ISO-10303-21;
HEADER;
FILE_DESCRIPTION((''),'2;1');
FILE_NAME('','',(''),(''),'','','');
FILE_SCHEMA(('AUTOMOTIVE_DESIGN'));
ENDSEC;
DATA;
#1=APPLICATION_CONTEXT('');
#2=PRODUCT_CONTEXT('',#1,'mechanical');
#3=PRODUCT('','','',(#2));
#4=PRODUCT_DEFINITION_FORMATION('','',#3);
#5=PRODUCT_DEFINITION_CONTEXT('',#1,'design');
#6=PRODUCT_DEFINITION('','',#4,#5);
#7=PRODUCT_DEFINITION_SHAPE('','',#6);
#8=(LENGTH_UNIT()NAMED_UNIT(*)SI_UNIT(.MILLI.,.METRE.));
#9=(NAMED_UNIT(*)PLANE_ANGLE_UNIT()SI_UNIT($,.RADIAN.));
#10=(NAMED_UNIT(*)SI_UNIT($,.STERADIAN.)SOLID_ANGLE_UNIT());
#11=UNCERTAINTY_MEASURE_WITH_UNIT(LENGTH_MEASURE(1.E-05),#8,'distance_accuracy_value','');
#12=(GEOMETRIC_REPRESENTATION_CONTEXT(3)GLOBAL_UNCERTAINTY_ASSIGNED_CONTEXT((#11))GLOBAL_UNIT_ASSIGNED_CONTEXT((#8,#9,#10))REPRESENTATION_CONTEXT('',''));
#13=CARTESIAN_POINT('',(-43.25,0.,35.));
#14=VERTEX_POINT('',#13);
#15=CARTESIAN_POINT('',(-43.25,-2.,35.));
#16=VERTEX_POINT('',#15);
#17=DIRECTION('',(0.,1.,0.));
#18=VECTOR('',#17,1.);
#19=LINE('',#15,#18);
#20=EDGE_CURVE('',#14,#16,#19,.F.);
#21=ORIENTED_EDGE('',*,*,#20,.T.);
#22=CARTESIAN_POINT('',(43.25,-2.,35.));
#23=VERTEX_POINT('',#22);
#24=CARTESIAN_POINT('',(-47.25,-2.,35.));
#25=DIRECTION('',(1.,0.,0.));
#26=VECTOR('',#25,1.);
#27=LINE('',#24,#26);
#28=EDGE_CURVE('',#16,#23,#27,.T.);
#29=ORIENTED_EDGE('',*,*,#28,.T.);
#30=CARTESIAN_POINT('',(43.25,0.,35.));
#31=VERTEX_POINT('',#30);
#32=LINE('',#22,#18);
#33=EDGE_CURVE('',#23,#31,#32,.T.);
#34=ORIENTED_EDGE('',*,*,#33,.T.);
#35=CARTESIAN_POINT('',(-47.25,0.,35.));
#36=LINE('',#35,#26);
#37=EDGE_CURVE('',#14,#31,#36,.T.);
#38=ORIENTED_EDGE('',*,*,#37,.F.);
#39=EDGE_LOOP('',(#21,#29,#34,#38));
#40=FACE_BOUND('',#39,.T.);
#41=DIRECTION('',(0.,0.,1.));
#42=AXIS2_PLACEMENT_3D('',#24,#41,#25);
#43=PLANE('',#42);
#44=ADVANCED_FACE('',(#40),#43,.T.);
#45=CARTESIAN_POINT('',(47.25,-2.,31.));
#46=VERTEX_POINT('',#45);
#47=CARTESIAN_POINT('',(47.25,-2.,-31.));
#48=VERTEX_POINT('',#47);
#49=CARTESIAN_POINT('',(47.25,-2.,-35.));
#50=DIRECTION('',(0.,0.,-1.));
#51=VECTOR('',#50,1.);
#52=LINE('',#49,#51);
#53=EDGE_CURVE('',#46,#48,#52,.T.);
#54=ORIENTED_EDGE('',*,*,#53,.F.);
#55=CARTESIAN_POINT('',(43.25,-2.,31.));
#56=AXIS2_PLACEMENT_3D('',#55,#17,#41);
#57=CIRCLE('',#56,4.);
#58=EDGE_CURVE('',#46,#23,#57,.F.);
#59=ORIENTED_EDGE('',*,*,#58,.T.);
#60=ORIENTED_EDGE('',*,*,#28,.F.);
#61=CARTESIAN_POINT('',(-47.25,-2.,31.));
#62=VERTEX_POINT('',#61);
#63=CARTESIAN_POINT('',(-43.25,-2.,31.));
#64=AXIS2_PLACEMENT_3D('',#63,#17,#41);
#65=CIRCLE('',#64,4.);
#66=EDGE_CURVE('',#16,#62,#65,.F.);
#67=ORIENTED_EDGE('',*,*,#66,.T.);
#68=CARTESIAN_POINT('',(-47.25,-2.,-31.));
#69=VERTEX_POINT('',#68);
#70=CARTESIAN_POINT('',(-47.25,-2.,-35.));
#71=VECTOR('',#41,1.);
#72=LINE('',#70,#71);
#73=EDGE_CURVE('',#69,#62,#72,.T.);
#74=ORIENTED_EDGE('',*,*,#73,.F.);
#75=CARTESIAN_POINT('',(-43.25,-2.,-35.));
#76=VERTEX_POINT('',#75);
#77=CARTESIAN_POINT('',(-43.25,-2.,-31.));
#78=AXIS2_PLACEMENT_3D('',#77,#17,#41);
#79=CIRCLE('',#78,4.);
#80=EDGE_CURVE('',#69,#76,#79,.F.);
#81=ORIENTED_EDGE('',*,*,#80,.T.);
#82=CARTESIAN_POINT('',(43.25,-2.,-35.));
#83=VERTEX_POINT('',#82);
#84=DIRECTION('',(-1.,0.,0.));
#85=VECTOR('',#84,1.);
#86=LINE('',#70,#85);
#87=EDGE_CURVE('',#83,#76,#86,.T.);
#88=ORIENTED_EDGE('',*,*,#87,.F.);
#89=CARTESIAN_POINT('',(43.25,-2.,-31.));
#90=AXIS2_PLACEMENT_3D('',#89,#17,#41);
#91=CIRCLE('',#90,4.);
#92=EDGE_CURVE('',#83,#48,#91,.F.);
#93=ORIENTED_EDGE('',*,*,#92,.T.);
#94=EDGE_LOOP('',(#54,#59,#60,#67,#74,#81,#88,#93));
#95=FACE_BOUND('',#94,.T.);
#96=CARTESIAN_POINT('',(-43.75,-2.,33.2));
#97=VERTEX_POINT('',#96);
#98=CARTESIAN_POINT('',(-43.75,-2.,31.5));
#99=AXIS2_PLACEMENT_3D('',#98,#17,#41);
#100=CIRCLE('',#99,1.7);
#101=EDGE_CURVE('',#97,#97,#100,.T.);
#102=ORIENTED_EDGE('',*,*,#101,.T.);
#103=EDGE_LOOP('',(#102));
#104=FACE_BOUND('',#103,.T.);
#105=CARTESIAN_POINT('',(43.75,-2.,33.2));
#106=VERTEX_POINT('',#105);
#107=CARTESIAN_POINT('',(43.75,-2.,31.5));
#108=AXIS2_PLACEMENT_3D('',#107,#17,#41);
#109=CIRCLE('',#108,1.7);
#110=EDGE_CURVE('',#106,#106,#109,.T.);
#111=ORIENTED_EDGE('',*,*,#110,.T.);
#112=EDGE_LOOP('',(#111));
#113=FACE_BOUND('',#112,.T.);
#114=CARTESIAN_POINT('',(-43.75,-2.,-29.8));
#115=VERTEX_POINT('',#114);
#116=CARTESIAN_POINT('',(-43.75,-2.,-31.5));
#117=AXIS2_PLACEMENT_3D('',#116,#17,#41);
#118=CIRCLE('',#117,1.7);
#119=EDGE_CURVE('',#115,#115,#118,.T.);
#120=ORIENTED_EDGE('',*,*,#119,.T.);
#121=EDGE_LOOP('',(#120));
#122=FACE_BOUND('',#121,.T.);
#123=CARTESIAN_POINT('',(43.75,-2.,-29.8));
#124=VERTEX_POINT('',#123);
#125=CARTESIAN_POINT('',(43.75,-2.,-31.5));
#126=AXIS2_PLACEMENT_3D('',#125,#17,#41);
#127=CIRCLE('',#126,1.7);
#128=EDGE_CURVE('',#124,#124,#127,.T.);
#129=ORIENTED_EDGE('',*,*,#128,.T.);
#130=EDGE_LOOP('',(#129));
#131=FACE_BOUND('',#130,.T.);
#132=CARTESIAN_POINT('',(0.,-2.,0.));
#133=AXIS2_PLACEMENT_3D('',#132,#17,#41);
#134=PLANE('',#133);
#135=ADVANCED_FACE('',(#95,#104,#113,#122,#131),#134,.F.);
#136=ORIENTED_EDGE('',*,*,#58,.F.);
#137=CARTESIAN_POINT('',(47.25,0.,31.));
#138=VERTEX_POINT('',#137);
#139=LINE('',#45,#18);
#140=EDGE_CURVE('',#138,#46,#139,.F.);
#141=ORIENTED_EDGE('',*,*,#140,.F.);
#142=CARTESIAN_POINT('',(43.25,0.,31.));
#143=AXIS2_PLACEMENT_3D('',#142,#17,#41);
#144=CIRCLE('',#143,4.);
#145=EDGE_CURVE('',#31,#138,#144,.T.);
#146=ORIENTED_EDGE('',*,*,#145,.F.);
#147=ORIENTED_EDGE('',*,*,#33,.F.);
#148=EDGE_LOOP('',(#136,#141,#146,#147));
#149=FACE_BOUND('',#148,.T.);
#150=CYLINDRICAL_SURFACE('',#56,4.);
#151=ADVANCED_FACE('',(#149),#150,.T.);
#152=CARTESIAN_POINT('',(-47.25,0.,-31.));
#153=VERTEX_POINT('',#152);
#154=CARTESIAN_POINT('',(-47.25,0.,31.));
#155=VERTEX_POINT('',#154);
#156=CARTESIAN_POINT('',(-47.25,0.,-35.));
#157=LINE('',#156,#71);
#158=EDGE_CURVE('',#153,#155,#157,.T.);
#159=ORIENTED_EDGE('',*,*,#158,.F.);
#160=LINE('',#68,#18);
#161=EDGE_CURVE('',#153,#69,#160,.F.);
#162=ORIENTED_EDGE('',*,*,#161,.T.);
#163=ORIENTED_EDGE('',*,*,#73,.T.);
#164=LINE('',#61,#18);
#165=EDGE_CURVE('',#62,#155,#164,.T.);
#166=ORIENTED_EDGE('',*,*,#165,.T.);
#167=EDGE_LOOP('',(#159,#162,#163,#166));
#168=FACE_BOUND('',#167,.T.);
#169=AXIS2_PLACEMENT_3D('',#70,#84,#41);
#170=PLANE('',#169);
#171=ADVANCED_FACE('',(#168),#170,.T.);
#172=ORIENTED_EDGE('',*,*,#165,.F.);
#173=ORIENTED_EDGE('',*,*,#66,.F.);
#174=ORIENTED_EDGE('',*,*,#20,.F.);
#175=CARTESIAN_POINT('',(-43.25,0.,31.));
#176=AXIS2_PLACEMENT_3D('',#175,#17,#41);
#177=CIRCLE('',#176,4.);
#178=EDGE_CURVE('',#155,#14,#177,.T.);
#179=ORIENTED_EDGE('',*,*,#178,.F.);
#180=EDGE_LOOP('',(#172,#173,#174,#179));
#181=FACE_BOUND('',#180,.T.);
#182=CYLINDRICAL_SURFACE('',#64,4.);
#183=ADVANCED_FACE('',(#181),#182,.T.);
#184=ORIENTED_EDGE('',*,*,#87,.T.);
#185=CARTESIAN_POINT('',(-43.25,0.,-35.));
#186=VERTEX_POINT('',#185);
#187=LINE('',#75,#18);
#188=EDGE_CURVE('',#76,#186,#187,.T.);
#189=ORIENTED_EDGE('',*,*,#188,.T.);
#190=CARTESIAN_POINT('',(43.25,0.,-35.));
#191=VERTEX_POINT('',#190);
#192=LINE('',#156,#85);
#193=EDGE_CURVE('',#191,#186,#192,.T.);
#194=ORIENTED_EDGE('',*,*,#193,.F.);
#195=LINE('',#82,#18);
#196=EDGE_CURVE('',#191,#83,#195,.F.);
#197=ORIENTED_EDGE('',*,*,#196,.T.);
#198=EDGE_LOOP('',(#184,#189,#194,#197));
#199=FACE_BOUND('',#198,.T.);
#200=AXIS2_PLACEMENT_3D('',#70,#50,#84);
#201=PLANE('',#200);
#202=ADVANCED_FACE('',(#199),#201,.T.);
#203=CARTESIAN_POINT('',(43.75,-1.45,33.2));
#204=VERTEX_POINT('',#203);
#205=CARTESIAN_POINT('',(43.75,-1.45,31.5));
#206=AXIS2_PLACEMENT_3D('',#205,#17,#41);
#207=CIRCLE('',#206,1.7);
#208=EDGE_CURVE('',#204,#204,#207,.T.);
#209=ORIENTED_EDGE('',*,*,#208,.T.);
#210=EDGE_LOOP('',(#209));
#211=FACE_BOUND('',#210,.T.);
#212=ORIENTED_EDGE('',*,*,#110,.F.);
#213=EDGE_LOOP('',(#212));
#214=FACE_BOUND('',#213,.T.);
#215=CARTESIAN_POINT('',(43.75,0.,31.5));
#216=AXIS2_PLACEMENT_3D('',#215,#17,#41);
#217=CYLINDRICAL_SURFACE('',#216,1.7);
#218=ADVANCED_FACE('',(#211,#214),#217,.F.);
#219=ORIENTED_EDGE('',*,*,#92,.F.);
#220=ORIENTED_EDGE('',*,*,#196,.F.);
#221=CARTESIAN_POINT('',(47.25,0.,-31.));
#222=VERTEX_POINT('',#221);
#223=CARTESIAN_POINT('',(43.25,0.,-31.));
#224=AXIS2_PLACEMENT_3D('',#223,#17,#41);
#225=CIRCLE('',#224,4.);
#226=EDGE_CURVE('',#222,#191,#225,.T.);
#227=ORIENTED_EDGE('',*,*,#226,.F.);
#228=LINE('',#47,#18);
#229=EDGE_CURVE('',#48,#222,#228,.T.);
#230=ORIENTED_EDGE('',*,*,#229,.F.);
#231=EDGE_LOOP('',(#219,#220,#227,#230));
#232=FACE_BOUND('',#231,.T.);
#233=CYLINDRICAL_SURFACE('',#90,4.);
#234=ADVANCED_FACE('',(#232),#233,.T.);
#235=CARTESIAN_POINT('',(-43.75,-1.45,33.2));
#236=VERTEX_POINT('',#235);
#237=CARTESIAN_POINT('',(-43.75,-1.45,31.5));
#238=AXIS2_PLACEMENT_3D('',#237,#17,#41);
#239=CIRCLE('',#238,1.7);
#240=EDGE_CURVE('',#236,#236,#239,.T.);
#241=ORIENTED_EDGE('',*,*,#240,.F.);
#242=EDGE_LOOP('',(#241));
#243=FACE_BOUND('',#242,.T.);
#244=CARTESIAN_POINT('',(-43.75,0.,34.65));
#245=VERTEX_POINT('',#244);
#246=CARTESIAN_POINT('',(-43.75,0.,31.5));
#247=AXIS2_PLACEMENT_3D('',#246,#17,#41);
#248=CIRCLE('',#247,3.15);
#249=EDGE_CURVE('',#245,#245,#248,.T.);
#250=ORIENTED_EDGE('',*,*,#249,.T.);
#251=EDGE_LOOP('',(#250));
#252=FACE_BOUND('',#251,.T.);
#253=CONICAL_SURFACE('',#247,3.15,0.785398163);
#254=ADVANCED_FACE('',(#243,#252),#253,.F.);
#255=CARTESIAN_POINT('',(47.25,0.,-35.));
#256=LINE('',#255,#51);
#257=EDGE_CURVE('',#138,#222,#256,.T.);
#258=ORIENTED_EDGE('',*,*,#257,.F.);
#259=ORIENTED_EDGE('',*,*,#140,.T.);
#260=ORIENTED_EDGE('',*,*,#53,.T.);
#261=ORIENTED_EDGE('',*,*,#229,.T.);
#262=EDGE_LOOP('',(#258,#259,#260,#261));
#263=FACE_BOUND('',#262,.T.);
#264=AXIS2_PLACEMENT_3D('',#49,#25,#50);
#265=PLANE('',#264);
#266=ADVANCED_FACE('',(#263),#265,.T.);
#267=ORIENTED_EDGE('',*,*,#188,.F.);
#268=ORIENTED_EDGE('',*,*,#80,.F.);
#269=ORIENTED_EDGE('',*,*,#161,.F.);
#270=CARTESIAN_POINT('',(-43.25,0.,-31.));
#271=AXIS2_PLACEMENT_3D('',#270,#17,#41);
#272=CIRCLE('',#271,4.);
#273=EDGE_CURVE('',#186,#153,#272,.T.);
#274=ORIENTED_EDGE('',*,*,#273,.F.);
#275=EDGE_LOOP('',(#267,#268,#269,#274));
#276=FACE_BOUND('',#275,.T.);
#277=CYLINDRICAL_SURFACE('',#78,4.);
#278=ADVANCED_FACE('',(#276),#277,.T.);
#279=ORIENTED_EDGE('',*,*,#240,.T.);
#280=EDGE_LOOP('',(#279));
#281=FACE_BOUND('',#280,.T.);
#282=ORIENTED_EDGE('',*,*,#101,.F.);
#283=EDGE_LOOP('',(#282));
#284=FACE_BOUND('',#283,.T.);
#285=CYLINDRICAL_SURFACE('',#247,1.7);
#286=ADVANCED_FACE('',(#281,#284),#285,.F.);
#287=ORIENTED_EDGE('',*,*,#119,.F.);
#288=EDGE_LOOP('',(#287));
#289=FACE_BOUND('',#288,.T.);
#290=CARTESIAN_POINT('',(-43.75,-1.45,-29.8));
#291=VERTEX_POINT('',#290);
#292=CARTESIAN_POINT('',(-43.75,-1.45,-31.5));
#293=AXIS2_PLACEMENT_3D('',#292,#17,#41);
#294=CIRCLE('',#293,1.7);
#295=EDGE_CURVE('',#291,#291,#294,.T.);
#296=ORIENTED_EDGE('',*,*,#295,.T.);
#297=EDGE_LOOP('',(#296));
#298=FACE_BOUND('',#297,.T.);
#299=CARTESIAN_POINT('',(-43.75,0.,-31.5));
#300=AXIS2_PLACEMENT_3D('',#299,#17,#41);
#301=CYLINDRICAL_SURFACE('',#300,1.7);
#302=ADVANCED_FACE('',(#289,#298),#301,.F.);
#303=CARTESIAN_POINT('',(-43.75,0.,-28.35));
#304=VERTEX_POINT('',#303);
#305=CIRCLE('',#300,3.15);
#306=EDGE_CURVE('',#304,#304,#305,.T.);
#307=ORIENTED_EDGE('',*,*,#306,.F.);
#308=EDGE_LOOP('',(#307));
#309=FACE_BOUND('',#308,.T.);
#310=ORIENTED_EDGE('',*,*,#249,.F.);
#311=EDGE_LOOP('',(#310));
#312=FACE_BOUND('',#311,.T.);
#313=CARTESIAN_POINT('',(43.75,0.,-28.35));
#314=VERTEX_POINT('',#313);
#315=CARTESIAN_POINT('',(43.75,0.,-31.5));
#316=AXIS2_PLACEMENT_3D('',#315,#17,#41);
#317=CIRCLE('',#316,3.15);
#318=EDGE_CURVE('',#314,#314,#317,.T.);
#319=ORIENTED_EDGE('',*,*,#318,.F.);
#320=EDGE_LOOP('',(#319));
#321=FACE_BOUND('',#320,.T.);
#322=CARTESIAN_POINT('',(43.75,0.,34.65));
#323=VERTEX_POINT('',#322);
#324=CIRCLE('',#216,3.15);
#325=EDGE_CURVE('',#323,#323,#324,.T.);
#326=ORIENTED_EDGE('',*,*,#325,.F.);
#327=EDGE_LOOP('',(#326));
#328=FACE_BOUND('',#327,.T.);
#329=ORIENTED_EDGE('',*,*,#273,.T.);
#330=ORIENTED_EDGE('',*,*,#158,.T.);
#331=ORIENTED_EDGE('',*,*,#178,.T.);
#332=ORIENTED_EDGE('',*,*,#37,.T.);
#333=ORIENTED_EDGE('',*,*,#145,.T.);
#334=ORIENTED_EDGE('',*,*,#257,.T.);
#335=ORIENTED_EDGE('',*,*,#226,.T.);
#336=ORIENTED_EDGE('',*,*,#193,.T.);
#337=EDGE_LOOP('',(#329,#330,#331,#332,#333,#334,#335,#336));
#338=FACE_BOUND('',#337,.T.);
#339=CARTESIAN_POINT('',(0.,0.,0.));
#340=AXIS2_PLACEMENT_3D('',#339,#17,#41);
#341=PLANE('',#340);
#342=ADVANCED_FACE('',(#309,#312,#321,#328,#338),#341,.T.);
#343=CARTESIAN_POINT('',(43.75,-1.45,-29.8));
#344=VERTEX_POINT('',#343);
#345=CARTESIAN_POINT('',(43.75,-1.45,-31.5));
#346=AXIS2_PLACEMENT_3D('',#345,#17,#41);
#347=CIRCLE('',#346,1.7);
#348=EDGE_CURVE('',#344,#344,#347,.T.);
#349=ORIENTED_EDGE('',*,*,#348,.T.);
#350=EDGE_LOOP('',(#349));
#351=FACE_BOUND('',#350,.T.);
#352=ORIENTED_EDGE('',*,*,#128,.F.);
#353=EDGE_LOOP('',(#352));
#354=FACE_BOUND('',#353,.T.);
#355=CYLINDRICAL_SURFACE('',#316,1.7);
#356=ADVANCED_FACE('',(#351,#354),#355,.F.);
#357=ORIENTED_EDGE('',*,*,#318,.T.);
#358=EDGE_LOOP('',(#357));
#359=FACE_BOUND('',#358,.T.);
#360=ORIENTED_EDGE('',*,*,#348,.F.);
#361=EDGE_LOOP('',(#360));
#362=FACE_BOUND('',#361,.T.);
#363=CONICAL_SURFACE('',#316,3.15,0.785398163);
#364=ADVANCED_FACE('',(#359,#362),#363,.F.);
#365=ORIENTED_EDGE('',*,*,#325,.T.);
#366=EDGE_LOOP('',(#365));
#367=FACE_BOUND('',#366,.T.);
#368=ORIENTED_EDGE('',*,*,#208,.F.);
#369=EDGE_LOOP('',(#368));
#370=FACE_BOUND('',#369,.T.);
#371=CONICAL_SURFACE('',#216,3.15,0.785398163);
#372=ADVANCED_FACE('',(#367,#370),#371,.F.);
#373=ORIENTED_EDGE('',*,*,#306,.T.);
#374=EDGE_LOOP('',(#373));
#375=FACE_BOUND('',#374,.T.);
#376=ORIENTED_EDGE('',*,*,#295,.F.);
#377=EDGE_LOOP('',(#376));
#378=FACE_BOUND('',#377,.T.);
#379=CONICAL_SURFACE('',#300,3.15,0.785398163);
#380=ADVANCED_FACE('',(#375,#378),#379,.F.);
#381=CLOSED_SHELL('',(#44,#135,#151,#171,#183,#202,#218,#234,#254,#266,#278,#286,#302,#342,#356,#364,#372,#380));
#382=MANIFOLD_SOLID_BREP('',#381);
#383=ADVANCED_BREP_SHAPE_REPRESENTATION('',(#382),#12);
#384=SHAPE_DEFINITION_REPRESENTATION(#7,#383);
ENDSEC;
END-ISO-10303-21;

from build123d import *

# Parameters (mm, degrees)
SKETCH1_W                                       = 94.5
SKETCH1_H                                       = 70
BOSS_EXTRUDE1_DEPTH                             = 2
CSK_FOR_M3_FLAT_HEAD_MACHINE_SCREW1_D           = 3.4
CSK_FOR_M3_FLAT_HEAD_MACHINE_SCREW1_DEPTH       = 30
CSK_FOR_M3_FLAT_HEAD_MACHINE_SCREW1_CSINK_D     = 6.3
CSK_FOR_M3_FLAT_HEAD_MACHINE_SCREW1_CSINK_ANGLE = 90
CSK_FOR_M3_FLAT_HEAD_MACHINE_SCREW1_TIP         = 1.021463052
FILLET1_R                                       = 4


with BuildPart() as part:
    # Sketch1 → Boss-Extrude1 (new body)
    with BuildSketch(Plane(origin=(0, 0, 0), x_dir=(1, 0, 0), z_dir=(0, 1, 0))):
        Rectangle(SKETCH1_W, SKETCH1_H)
    extrude(amount=-BOSS_EXTRUDE1_DEPTH)

    # CSK for M3 Flat Head Machine Screw1
    with Locations(Plane(origin=(-43.75, 0, -31.5), x_dir=(0, 0, 1), z_dir=(0, 1, 0))):
        with Locations((0, 0), (0, 87.5), (63, 87.5), (63, 0)):
            CounterSinkHole(CSK_FOR_M3_FLAT_HEAD_MACHINE_SCREW1_D / 2, CSK_FOR_M3_FLAT_HEAD_MACHINE_SCREW1_CSINK_D / 2, depth=CSK_FOR_M3_FLAT_HEAD_MACHINE_SCREW1_DEPTH, counter_sink_angle=CSK_FOR_M3_FLAT_HEAD_MACHINE_SCREW1_CSINK_ANGLE)
            with Locations((0, 0, -(CSK_FOR_M3_FLAT_HEAD_MACHINE_SCREW1_DEPTH + CSK_FOR_M3_FLAT_HEAD_MACHINE_SCREW1_TIP / 2))):  # 118° drill point
                Cone(0, CSK_FOR_M3_FLAT_HEAD_MACHINE_SCREW1_D / 2, CSK_FOR_M3_FLAT_HEAD_MACHINE_SCREW1_TIP, mode=Mode.SUBTRACT)

    # Fillet1
    fillet1_edges = [part.edges().sort_by_distance(p)[0] for p in [
        (47.25, -1, 35),
        (-47.25, -1, 35),
        (-47.25, -1, -35),
        (47.25, -1, -35),
    ]]
    fillet(fillet1_edges, radius=FILLET1_R)


solid = part.part
